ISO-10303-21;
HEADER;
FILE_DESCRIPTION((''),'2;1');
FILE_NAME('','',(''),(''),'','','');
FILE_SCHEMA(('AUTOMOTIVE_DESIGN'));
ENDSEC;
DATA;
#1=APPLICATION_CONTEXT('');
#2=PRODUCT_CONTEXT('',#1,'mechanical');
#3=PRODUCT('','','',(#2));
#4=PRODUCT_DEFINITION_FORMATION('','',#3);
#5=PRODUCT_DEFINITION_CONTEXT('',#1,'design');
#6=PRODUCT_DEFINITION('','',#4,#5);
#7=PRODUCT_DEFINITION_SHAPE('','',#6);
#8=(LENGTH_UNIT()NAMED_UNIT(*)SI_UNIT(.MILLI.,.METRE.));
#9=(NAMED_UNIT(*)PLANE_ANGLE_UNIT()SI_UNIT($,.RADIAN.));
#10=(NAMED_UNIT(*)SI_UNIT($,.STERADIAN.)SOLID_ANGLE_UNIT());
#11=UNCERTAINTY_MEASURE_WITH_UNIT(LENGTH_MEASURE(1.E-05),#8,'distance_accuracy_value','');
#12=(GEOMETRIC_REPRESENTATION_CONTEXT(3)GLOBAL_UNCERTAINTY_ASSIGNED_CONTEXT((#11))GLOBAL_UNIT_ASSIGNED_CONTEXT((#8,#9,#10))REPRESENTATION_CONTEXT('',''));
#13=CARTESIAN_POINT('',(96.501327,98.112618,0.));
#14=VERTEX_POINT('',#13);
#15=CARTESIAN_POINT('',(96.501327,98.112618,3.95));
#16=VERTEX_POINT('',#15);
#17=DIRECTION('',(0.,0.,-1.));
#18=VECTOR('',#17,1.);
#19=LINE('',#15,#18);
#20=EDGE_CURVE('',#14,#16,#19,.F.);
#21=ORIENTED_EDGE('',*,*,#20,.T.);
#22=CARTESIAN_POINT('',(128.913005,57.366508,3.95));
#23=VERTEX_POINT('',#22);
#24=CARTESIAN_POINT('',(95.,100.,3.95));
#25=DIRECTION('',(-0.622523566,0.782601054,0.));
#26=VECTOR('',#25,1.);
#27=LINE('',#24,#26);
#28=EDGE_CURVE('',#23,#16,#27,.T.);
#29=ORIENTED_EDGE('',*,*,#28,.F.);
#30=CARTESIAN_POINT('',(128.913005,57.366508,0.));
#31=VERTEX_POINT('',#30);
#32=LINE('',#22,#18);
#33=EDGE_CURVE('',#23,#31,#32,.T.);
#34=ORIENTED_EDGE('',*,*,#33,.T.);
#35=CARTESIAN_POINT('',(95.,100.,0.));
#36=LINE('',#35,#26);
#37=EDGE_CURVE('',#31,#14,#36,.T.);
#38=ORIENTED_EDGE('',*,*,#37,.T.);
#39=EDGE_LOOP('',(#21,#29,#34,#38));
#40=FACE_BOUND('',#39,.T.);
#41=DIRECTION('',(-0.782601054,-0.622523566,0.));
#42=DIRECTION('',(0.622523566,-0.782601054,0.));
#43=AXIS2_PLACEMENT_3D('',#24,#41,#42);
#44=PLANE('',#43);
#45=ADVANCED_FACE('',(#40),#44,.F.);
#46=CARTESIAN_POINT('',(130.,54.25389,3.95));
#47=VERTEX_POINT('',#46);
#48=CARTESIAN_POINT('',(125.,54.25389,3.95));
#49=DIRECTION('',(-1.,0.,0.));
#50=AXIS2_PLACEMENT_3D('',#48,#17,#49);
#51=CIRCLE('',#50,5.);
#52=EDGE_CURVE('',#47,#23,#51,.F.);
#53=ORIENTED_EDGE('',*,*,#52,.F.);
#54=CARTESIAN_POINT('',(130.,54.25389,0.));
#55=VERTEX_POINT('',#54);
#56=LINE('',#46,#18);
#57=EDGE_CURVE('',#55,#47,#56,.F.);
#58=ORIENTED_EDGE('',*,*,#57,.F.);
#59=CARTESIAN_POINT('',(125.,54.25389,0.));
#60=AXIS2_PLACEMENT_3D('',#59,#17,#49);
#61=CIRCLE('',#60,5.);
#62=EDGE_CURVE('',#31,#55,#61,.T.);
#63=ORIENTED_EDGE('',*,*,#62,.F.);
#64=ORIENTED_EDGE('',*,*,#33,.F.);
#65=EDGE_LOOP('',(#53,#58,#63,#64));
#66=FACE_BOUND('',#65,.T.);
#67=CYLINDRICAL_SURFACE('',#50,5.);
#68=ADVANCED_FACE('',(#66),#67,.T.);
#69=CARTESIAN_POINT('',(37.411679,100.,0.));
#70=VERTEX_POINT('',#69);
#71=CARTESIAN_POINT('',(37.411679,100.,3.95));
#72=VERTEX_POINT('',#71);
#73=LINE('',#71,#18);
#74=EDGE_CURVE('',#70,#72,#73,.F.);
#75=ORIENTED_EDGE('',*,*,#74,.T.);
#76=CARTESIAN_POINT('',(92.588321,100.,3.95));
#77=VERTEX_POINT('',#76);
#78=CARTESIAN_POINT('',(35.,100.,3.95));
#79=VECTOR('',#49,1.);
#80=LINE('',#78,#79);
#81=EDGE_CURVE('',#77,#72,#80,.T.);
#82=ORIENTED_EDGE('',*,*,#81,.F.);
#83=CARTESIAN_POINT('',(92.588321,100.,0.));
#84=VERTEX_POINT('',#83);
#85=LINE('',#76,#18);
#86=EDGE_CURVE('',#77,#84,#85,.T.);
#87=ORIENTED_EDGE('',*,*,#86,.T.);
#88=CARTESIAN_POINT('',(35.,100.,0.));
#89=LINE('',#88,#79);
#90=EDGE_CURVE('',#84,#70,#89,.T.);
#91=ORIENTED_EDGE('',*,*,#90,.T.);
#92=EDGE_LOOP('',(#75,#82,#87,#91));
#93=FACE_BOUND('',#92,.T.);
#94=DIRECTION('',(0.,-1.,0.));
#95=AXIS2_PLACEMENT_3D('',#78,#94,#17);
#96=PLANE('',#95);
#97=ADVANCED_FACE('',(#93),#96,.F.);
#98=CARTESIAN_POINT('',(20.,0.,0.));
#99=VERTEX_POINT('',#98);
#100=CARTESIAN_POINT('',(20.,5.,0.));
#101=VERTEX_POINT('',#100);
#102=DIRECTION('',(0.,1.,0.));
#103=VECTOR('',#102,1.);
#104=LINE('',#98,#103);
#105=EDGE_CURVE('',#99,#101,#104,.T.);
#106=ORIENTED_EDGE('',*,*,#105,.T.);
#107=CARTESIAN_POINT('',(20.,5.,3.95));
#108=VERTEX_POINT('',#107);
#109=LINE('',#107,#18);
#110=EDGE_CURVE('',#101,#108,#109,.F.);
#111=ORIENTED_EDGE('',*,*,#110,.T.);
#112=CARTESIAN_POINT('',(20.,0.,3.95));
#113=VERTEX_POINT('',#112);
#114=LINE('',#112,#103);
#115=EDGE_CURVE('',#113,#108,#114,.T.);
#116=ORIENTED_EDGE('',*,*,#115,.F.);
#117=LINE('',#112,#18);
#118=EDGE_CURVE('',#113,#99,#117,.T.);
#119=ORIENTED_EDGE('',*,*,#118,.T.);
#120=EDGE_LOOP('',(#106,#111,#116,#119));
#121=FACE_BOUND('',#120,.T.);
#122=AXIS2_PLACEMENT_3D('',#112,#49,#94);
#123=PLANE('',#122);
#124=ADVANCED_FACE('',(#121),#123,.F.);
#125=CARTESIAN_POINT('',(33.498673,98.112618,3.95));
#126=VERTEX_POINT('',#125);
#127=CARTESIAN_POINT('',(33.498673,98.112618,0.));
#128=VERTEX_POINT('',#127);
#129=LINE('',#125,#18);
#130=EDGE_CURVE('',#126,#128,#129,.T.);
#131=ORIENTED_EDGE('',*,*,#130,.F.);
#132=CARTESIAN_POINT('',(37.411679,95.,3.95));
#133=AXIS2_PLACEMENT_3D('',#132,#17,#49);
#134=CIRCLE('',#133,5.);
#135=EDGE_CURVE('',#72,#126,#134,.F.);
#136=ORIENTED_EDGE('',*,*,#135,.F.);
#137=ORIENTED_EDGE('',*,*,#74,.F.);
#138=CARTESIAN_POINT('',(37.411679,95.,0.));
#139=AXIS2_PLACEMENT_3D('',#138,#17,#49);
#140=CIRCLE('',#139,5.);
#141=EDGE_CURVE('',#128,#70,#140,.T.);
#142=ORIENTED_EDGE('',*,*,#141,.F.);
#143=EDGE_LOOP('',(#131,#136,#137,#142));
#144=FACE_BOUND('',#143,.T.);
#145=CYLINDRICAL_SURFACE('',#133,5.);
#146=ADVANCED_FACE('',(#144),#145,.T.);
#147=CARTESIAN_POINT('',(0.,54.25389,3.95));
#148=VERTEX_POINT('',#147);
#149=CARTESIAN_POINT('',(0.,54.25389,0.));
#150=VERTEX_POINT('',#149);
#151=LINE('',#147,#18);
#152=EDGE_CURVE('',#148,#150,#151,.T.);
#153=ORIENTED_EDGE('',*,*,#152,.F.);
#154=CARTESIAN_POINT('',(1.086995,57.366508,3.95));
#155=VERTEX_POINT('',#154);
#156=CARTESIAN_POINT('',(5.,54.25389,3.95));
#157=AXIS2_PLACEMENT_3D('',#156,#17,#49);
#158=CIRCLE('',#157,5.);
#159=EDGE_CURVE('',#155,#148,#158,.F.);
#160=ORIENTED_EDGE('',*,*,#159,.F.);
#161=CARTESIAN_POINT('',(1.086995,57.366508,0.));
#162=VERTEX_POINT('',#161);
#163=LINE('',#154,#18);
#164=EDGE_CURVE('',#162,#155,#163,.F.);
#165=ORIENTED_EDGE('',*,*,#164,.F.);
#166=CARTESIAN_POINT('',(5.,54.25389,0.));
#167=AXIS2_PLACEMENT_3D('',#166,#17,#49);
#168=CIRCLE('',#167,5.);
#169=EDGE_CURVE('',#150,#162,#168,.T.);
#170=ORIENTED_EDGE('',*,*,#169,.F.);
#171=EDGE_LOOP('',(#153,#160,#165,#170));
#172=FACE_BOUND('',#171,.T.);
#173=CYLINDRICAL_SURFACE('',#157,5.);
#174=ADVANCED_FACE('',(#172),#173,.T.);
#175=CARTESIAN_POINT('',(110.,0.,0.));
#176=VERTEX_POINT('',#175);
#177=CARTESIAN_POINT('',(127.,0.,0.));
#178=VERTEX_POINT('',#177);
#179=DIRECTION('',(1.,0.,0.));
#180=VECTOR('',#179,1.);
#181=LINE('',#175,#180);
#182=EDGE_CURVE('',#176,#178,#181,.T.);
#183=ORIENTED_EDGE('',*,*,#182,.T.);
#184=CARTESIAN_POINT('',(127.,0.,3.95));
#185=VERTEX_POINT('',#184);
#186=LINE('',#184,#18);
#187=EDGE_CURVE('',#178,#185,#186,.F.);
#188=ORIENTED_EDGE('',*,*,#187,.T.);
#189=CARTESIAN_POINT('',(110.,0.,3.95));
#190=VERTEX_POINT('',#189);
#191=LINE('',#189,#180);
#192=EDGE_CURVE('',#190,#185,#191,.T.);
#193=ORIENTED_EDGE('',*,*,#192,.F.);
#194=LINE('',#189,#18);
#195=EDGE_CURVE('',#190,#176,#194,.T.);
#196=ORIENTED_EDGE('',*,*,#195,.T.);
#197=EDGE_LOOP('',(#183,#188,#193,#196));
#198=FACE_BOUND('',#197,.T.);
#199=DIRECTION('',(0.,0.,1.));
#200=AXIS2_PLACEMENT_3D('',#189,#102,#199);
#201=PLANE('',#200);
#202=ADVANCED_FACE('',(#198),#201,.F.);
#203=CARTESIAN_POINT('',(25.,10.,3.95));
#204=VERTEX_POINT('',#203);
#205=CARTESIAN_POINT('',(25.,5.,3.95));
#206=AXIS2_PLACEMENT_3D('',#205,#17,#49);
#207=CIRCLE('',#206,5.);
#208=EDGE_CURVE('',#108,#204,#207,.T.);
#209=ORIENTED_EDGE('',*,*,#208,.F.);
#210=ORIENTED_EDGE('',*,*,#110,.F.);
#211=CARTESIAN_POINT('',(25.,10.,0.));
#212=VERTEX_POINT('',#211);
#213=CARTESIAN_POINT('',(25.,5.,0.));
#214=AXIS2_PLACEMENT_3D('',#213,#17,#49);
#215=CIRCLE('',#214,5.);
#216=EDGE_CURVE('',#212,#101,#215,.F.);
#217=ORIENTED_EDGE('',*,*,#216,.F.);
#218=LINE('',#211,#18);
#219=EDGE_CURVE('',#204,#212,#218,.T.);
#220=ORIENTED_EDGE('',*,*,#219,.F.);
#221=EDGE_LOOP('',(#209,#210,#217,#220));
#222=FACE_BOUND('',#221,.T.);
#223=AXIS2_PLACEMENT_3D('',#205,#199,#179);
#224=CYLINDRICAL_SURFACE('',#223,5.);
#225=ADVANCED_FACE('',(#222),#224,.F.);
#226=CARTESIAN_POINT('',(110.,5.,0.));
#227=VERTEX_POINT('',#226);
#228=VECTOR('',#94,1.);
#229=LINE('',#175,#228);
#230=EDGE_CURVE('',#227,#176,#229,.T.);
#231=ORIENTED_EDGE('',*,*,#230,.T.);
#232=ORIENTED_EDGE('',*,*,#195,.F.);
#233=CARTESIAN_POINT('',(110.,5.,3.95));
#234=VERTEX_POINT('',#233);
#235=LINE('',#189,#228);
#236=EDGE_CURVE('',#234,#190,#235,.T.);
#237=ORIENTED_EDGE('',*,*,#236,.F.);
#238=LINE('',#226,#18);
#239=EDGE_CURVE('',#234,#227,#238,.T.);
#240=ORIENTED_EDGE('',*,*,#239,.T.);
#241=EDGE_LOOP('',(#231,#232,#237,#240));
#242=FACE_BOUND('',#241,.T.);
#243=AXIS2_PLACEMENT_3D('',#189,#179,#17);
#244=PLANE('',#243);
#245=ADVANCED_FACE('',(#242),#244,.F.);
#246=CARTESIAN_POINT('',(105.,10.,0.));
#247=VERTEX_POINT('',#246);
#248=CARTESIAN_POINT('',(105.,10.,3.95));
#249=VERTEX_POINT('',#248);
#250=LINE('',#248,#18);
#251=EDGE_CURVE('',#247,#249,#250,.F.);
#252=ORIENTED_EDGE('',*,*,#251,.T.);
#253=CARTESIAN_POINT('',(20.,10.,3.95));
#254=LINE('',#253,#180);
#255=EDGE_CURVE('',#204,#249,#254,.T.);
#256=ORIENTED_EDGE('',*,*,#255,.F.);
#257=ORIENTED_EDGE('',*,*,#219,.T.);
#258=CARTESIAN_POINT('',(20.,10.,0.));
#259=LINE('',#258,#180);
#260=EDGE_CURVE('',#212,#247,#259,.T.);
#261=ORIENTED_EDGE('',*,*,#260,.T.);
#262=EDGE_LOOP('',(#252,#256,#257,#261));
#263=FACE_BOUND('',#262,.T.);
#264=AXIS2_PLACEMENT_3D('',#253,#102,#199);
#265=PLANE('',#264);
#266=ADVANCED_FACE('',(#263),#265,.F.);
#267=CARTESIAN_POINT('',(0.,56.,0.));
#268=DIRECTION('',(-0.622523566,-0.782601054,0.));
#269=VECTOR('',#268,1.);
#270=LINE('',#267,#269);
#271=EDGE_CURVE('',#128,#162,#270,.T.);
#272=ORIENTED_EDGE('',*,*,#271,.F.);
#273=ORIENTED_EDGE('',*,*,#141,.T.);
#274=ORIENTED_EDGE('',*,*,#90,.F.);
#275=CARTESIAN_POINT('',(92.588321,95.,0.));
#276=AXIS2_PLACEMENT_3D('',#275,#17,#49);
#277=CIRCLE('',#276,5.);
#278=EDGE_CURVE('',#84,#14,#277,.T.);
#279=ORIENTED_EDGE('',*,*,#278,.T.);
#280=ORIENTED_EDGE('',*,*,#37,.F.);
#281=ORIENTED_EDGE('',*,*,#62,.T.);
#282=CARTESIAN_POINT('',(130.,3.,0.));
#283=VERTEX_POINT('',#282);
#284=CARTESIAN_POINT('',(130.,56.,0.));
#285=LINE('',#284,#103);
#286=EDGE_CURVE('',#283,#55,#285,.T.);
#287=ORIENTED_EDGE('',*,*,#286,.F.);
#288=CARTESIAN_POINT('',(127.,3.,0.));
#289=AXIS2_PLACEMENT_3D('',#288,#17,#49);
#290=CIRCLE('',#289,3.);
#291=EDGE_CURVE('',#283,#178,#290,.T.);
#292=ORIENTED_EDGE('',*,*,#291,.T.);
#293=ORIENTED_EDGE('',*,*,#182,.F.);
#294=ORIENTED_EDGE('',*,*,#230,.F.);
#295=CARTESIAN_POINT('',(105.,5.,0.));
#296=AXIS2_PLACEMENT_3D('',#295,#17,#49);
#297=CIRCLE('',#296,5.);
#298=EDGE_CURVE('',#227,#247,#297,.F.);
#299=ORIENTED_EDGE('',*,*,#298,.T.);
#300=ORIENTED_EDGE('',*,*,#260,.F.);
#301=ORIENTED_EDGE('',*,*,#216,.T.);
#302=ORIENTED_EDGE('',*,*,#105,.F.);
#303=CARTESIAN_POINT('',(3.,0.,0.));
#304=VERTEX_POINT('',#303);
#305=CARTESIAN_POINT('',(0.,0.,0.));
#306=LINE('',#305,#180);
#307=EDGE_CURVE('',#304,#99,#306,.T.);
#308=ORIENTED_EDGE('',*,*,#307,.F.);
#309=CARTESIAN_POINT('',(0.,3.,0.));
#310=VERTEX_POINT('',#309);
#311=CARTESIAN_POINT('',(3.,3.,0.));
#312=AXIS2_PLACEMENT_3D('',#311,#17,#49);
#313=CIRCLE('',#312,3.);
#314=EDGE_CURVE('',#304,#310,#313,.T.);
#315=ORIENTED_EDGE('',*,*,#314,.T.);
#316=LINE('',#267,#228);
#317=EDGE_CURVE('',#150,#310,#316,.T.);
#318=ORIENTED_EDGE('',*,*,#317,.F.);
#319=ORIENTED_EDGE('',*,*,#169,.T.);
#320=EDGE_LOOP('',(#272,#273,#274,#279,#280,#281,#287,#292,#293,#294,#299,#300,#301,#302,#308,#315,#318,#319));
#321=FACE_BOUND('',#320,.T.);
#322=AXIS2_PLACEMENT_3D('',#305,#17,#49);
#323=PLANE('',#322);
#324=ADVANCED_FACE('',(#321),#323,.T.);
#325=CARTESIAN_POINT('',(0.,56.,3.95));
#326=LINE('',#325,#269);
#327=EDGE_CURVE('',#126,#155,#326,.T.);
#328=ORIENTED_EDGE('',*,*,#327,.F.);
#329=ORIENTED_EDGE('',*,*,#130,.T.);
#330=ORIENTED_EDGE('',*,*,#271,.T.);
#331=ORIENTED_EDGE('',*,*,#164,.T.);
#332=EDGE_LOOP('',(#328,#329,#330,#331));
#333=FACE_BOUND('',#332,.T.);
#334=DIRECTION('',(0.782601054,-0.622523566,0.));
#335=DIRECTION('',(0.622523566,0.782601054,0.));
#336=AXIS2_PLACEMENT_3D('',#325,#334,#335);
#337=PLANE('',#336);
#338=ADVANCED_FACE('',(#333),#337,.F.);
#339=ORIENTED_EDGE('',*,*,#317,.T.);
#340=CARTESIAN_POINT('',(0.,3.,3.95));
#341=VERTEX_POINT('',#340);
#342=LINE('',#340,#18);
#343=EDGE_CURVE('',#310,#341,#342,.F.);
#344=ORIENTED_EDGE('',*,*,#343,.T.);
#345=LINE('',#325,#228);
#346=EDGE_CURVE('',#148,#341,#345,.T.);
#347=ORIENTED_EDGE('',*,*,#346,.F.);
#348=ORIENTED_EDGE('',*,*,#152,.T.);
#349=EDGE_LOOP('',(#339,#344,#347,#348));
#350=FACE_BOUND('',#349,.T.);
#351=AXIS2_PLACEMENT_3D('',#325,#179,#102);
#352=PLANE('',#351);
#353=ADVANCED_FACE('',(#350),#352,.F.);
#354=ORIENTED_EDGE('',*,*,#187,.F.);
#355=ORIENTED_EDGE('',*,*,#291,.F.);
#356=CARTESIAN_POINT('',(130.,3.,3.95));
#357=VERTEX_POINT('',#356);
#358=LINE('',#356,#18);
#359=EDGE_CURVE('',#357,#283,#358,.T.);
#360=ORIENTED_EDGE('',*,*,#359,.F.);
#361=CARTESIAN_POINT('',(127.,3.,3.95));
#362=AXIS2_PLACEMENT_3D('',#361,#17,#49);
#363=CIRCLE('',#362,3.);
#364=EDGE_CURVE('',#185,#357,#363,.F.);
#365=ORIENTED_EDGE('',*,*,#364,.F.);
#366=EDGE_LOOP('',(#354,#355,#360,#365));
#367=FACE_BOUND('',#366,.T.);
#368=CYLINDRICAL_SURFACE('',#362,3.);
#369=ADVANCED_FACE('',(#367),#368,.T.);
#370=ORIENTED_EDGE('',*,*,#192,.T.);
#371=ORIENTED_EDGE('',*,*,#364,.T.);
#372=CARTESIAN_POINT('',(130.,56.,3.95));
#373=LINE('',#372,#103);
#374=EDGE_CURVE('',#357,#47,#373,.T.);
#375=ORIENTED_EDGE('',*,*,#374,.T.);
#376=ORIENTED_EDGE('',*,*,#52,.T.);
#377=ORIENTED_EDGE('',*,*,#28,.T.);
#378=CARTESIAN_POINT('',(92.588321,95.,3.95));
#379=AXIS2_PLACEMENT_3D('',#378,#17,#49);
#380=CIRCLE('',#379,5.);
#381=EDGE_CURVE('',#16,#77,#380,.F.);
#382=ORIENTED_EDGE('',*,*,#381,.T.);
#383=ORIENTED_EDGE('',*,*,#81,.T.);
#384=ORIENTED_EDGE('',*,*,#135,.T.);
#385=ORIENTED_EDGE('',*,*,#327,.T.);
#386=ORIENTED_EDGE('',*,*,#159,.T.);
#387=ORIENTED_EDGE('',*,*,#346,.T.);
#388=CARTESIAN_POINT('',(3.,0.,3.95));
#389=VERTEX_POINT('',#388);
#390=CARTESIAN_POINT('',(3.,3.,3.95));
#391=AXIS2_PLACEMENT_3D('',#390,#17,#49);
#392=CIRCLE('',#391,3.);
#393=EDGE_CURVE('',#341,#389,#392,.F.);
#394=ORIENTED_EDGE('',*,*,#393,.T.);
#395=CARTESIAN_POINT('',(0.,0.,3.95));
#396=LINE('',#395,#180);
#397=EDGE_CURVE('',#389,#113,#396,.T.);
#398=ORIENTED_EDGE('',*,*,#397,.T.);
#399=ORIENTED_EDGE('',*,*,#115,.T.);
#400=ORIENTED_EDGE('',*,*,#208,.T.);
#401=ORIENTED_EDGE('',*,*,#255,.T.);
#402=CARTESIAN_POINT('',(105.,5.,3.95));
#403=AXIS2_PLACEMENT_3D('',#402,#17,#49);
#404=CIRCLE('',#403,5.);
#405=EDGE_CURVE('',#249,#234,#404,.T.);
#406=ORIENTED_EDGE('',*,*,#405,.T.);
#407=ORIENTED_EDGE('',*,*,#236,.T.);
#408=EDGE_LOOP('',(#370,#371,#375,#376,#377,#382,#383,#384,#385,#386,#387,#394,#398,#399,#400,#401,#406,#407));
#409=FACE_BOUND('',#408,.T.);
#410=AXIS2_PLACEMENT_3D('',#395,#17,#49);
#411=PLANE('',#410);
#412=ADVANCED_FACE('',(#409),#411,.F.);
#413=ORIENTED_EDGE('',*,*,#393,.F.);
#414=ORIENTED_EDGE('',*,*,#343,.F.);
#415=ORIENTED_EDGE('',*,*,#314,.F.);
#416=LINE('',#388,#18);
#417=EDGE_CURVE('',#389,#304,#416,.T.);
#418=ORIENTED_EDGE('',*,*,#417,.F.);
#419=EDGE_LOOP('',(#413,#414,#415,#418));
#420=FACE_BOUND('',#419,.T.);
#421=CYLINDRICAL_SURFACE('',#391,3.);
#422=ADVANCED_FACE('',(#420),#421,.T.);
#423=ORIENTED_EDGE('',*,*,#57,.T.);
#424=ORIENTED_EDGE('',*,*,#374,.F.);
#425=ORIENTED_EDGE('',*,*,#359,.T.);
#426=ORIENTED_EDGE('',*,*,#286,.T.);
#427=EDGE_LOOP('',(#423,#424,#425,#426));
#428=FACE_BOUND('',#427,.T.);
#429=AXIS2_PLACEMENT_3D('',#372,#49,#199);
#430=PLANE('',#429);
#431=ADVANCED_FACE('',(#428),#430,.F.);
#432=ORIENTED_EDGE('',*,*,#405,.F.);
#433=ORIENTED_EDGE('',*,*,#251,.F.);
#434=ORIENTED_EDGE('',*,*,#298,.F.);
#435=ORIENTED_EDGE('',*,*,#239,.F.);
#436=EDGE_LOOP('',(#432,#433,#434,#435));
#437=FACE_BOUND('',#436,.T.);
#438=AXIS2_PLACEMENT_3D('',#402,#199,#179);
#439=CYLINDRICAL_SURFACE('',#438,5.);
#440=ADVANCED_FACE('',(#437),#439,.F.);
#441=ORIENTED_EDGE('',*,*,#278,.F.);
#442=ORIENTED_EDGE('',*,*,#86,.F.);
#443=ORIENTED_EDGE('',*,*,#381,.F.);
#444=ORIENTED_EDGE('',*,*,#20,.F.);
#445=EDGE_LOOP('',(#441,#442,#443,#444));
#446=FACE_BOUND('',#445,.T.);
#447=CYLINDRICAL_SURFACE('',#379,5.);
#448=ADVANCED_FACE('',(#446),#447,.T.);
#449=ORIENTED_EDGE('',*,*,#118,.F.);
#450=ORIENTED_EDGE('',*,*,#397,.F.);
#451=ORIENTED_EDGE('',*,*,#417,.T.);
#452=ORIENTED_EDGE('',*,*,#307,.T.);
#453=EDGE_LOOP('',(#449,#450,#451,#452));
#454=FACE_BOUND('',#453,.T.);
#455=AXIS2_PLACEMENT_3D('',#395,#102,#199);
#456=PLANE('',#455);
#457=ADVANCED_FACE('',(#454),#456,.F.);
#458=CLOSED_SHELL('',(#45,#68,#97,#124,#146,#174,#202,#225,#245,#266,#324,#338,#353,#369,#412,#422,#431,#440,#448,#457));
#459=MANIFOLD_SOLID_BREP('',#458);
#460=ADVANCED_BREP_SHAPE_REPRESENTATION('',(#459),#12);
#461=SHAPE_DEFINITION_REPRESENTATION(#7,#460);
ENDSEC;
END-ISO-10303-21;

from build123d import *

# Parameters (mm, degrees)
BOSS_EXTRUDE2_DEPTH = 3.95
FILLET1_R           = 5
FILLET2_R           = 3


with BuildPart() as part:
    # Sketch1 → Boss-Extrude2 (new body)
    with BuildSketch(Plane.XY):
        Polygon((0, 56), (35, 100), (95, 100), (130, 56), (130, 0), (110, 0), (110, 10), (20, 10), (20, 0), (0, 0), align=None)
    extrude(amount=BOSS_EXTRUDE2_DEPTH)

    # Fillet1
    fillet1_edges = [part.edges().sort_by_distance(p)[0] for p in [
        (110, 10, 1.975),
        (20, 10, 1.975),
        (0, 56, 1.975),
        (35, 100, 1.975),
        (95, 100, 1.975),
        (130, 56, 1.975),
    ]]
    fillet(fillet1_edges, radius=FILLET1_R)

    # Fillet2
    fillet2_edges = [part.edges().sort_by_distance(p)[0] for p in [
        (0, 0, 1.975),
        (130, 0, 1.975),
    ]]
    fillet(fillet2_edges, radius=FILLET2_R)


solid = part.part
